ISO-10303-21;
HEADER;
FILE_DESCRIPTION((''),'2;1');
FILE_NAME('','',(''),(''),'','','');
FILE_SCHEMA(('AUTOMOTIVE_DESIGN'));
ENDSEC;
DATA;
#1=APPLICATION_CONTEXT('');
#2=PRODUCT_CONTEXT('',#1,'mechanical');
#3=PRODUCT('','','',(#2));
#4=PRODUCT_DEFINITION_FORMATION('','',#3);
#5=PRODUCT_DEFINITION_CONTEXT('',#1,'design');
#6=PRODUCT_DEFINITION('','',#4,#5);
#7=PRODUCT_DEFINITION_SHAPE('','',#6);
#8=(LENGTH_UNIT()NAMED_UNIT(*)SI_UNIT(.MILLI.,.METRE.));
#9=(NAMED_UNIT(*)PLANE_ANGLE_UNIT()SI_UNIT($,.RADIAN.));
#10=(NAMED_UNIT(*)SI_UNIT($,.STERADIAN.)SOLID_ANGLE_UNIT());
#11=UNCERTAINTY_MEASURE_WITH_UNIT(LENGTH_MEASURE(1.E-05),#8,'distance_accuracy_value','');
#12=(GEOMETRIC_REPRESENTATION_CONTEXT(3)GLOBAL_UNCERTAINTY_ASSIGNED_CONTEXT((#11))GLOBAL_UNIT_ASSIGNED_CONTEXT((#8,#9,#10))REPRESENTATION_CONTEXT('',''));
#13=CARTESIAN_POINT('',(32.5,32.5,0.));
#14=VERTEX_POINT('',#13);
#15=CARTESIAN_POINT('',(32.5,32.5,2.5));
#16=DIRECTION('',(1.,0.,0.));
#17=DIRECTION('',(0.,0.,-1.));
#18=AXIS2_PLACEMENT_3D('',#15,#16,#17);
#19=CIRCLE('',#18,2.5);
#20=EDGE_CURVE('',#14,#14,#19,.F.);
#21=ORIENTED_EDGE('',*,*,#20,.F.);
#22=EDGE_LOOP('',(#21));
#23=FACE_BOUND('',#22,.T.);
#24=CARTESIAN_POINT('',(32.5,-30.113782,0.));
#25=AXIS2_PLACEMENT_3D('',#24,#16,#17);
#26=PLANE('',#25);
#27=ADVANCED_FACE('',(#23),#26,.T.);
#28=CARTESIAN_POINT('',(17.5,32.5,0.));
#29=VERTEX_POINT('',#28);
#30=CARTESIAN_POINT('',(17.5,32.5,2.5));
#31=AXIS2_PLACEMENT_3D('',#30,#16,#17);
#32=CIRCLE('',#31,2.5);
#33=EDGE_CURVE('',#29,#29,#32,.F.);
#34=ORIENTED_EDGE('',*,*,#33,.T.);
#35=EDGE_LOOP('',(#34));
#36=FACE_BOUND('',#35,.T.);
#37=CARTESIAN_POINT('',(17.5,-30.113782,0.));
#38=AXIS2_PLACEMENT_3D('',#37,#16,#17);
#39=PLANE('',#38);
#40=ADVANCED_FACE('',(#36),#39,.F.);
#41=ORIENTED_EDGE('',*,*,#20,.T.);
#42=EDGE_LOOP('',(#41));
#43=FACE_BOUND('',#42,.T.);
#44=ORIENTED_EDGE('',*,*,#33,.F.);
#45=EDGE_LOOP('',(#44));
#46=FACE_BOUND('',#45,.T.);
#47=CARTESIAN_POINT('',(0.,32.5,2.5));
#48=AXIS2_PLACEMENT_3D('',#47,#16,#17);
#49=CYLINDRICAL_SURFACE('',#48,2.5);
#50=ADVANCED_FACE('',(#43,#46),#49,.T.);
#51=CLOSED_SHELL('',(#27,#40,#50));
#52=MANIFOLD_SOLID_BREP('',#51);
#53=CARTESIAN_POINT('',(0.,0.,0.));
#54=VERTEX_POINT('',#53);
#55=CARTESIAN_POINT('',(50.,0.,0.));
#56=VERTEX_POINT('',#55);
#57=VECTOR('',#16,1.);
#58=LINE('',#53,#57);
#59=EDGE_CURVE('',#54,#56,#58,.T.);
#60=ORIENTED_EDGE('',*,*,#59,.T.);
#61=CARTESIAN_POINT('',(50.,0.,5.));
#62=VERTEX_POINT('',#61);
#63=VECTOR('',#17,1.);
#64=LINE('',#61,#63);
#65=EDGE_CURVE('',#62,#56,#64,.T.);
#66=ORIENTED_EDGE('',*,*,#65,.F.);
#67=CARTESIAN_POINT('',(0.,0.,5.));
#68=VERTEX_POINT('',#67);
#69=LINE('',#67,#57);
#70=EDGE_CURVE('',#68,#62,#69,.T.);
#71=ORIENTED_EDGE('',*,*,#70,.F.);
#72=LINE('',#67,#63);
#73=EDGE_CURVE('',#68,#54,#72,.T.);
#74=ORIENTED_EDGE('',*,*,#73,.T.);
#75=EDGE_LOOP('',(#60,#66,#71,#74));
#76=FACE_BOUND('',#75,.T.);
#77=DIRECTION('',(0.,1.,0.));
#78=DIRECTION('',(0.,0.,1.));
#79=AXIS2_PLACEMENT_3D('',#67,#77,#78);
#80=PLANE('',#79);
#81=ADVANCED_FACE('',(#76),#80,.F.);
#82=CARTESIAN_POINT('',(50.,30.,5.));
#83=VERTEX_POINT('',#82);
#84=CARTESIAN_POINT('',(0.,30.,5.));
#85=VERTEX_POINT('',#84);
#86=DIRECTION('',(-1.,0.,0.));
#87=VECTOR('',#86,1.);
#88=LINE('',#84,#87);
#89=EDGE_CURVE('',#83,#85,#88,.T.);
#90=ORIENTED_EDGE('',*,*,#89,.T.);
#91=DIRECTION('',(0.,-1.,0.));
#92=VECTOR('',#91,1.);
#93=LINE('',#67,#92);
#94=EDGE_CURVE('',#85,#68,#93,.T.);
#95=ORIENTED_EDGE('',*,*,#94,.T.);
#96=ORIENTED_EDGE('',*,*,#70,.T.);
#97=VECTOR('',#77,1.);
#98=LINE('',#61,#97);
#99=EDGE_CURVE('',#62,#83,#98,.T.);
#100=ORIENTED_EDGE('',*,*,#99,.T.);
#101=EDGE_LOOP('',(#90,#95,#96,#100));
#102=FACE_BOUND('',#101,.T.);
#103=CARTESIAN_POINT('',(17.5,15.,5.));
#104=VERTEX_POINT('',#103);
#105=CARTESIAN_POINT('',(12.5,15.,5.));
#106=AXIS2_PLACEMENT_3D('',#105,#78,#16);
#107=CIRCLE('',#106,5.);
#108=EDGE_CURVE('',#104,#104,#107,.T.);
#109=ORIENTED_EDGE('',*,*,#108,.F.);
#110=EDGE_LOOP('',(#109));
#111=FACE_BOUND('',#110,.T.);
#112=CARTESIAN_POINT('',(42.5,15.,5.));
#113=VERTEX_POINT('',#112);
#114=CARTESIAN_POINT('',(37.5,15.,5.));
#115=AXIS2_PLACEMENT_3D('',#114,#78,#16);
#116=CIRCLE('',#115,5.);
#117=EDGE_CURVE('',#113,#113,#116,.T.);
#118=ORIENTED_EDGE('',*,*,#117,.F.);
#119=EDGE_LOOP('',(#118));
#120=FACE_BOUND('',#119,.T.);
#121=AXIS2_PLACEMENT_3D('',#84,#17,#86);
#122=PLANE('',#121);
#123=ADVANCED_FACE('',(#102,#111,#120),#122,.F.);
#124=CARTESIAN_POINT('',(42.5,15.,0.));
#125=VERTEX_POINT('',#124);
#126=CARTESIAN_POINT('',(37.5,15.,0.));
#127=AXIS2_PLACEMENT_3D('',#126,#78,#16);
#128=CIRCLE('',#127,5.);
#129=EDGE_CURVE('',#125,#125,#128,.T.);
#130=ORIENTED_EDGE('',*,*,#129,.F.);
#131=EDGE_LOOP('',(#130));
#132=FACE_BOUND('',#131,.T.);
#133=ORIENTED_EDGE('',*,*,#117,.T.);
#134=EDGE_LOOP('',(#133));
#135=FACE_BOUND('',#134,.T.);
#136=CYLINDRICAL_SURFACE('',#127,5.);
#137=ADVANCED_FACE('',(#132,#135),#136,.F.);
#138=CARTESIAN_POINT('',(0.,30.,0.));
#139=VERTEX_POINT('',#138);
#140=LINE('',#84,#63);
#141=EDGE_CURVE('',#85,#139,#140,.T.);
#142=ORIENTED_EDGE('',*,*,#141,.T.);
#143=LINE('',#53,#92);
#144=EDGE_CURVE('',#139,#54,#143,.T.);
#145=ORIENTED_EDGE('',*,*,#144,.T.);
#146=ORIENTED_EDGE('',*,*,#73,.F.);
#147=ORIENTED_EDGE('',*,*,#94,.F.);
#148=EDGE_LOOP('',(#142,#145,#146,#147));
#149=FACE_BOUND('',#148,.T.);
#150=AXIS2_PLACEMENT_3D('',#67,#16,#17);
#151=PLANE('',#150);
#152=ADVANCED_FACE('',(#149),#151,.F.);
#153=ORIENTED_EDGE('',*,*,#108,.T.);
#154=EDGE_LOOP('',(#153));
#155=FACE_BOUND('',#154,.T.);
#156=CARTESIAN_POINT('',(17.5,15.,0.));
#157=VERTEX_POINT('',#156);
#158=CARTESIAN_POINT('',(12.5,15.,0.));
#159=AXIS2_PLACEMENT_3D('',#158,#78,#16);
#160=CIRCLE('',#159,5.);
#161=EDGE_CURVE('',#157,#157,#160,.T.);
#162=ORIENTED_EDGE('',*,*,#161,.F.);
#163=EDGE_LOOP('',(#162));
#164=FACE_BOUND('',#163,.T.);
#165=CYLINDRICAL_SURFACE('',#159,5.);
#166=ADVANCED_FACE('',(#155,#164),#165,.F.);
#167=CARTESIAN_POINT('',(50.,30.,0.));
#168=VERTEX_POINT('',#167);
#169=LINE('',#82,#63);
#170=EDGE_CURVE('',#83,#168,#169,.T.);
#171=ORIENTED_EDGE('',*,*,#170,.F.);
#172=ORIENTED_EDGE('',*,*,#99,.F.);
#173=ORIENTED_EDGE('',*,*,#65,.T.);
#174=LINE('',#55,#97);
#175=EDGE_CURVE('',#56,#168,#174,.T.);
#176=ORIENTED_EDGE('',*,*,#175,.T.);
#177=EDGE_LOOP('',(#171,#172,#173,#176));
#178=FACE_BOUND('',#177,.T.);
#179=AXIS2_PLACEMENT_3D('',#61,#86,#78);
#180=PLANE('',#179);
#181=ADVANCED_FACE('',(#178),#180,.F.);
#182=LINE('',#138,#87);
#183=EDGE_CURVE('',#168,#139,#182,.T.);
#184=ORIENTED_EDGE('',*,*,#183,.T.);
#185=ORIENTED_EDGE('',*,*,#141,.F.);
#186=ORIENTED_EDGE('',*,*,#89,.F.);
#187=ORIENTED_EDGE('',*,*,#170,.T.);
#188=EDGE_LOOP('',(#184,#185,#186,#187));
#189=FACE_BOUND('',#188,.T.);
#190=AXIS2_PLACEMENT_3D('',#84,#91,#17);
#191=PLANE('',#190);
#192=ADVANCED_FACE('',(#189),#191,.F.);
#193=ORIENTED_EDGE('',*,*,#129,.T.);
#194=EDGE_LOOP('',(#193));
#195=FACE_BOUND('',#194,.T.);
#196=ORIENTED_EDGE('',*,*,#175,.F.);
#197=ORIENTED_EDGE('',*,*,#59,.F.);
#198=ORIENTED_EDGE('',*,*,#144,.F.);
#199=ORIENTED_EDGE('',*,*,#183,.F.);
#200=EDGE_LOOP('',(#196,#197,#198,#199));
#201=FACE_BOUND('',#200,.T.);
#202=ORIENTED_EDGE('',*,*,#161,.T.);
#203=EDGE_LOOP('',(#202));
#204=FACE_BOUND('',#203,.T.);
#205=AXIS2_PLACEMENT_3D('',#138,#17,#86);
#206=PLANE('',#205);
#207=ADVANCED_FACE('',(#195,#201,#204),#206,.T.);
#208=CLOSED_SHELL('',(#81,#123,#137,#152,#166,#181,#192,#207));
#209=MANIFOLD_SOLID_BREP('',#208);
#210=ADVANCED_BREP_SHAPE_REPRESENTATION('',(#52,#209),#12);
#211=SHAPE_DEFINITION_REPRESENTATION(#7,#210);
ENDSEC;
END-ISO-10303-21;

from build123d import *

# Parameters (mm, degrees)
ESQUISSE1_W             = 50
ESQUISSE1_H             = 30
BOSS_EXTRU_1_DEPTH      = 5
ESQUISSE2_R             = 5
ENL_V_MAT_EXTRU_1_DEPTH = 6
ESQUISSE3_R             = 2.5
BOSS_EXTRU_2_DEPTH      = 50
ESQUISSE5_W             = 17.5
ESQUISSE5_H             = 5
ENL_V_MAT_EXTRU_6_DEPTH = 6


with BuildPart() as part:
    # Esquisse1 → Boss.-Extru.1 (new body)
    with BuildSketch(Plane.XY):
        with Locations((25, 15)):
            Rectangle(ESQUISSE1_W, ESQUISSE1_H)
    extrude(amount=BOSS_EXTRU_1_DEPTH)

    # Esquisse2 → Enlèv. mat.-Extru.1 (cut, through all)
    with BuildSketch(Plane.XY.offset(5)):
        with Locations((12.5, 15)):
            Circle(ESQUISSE2_R)
        with Locations((37.5, 15)):
            Circle(ESQUISSE2_R)
    extrude(amount=-ENL_V_MAT_EXTRU_1_DEPTH, mode=Mode.SUBTRACT)


with BuildPart() as body_2:
    # Esquisse3 → Boss.-Extru.2 (new body)
    with BuildSketch(Plane(origin=(50, 0, 0), x_dir=(0, 0, -1), z_dir=(1, 0, 0))):
        with Locations((-2.5, 32.5)):
            Circle(ESQUISSE3_R)
    extrude(amount=-BOSS_EXTRU_2_DEPTH)

    # Esquisse5 → Enlèv. mat.-Extru.6 (cut, through all)
    with BuildSketch(Plane.XY.offset(5)):
        with Locations((8.75, 32.5)):
            Rectangle(ESQUISSE5_W, ESQUISSE5_H)
        with Locations((41.25, 32.5)):
            Rectangle(ESQUISSE5_W, ESQUISSE5_H)
    extrude(amount=-ENL_V_MAT_EXTRU_6_DEPTH, mode=Mode.SUBTRACT)


solid = Compound([part.part, body_2.part])
